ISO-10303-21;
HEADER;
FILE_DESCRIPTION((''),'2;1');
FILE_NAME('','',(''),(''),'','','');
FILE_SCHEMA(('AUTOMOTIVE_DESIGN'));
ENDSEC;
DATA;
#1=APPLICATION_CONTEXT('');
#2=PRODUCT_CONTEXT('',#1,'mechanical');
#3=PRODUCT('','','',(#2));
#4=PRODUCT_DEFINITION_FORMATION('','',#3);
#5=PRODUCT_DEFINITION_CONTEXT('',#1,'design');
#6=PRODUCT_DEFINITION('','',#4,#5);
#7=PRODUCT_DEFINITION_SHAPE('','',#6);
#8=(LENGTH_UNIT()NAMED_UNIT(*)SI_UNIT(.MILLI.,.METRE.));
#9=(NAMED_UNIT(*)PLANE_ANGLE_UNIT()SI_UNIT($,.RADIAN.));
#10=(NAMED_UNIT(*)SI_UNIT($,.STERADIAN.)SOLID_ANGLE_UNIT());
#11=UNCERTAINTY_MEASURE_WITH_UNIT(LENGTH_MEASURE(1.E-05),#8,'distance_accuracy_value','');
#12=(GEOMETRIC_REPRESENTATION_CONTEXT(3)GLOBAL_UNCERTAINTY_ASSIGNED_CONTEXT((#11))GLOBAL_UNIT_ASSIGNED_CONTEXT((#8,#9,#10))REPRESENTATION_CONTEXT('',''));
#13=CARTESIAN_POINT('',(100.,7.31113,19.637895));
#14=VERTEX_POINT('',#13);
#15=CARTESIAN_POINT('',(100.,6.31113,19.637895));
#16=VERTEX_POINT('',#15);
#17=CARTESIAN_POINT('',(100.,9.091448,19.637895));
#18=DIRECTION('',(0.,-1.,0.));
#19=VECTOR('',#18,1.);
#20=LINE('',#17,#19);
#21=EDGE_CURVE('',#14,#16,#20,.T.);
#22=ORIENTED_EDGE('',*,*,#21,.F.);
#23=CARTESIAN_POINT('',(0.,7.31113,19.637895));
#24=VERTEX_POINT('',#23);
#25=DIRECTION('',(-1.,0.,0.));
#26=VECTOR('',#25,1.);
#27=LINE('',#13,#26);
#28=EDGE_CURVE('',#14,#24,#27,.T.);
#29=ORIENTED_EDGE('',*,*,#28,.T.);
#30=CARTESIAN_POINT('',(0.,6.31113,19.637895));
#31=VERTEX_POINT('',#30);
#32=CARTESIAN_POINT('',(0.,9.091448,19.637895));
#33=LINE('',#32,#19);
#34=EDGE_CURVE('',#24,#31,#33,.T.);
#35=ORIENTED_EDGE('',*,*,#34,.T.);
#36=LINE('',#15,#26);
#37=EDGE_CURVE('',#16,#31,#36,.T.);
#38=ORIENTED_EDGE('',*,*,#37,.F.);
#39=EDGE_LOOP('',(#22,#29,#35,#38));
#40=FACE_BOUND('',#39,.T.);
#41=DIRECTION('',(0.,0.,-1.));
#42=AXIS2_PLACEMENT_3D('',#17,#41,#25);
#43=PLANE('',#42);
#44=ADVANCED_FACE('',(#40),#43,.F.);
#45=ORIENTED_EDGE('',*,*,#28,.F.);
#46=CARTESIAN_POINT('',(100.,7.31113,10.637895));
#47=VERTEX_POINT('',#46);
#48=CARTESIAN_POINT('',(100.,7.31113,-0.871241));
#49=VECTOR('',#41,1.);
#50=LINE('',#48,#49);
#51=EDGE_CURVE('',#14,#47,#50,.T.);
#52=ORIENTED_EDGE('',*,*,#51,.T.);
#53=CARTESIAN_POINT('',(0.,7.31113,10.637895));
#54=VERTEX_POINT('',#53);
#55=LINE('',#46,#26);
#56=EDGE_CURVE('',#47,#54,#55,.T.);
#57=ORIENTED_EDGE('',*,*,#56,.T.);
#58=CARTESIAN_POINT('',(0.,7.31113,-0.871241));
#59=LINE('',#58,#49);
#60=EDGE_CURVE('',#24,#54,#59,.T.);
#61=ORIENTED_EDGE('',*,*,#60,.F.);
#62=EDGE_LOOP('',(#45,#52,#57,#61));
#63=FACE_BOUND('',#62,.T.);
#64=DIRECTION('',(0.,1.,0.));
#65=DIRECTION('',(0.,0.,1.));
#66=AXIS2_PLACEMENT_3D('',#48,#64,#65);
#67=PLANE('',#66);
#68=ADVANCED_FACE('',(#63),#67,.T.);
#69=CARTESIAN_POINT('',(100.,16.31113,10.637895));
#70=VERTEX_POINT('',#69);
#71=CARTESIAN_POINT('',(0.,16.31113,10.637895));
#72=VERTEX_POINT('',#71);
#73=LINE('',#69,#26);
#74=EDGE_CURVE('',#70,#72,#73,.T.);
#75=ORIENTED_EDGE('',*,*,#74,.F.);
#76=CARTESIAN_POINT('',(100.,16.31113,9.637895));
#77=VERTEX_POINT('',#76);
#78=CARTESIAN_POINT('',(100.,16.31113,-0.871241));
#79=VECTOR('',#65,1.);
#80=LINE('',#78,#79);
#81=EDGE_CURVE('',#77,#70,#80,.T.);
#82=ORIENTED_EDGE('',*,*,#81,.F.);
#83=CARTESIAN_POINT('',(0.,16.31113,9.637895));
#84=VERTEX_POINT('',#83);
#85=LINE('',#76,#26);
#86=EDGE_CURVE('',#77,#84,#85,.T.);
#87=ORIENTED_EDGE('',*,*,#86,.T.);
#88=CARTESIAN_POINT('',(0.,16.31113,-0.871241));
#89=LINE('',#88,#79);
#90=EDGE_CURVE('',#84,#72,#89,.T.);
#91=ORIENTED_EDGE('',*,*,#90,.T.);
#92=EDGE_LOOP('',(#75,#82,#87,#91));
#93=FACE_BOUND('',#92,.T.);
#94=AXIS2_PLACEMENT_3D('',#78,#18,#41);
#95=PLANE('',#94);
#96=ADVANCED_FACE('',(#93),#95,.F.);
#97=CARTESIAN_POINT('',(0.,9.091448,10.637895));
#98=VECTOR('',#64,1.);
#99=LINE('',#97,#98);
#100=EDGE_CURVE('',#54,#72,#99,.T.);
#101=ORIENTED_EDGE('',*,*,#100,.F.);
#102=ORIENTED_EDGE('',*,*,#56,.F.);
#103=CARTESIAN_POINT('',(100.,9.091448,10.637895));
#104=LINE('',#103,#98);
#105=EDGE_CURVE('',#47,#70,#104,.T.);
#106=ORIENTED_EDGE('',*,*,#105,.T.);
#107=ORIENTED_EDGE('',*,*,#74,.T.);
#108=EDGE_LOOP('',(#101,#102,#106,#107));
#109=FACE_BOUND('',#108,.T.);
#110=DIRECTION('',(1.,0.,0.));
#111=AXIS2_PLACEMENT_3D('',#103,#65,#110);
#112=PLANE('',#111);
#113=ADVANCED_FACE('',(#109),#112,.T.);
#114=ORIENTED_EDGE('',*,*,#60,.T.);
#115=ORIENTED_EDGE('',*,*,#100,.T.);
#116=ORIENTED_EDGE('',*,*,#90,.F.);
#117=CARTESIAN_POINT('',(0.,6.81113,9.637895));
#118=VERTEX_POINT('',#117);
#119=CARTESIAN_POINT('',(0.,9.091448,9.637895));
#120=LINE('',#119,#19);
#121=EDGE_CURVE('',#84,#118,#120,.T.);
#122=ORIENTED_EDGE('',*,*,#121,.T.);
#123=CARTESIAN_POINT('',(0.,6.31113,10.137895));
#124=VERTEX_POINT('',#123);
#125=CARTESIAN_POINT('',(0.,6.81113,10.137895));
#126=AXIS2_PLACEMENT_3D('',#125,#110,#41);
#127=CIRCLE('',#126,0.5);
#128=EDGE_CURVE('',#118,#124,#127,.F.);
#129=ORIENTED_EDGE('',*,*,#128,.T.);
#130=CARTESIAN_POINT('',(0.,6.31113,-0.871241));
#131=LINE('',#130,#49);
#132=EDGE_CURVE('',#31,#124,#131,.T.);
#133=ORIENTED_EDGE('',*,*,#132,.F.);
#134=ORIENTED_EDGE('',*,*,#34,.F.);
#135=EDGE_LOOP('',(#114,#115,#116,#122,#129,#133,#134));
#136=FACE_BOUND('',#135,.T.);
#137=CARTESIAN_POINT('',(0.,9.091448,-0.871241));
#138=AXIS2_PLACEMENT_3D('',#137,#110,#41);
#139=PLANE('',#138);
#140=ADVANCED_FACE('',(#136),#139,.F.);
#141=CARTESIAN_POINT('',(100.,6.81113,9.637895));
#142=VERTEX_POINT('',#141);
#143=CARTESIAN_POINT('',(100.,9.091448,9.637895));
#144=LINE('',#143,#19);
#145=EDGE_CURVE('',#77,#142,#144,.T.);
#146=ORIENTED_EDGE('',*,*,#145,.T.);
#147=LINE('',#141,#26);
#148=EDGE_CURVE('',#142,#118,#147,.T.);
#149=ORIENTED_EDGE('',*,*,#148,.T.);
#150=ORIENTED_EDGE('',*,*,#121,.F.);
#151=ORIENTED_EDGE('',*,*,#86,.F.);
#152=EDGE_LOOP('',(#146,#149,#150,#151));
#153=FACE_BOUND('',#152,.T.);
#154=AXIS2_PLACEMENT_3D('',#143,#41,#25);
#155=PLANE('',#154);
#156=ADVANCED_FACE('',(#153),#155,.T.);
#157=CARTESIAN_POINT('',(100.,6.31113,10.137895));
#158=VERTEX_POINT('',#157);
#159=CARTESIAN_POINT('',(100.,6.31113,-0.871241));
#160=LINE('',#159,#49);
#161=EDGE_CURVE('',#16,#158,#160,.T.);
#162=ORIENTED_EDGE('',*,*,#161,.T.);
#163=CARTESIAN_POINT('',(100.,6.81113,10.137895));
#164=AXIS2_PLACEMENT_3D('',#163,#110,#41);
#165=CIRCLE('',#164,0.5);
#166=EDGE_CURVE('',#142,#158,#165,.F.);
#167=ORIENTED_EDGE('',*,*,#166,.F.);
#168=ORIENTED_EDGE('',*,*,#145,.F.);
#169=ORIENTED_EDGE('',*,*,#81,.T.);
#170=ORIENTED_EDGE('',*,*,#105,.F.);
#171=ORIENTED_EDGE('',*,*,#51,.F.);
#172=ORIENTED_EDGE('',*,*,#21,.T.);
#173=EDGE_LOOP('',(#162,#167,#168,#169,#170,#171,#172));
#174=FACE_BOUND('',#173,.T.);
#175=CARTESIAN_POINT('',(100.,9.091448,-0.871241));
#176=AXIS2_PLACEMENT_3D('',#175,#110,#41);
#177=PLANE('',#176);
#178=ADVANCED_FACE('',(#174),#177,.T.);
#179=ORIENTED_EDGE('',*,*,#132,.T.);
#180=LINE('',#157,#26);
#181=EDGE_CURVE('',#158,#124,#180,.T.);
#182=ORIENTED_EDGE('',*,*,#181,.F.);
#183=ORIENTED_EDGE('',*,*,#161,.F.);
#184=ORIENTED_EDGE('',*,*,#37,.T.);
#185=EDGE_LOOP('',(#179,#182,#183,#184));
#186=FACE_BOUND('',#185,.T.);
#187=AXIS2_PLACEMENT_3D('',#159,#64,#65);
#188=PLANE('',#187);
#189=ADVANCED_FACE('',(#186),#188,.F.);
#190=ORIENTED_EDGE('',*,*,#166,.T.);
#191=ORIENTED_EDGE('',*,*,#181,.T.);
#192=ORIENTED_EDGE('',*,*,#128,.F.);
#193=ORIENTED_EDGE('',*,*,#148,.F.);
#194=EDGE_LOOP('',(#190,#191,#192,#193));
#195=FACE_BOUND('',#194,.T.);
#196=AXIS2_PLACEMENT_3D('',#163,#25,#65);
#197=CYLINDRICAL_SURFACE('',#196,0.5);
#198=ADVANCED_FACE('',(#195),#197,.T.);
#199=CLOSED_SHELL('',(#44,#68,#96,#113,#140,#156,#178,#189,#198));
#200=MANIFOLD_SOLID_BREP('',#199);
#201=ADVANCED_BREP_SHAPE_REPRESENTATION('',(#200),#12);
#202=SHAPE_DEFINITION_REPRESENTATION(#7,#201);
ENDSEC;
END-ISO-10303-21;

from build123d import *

# Parameters (mm, degrees)
SKETCH1_W           = 9
SKETCH1_H           = 1
SKETCH1_W_2         = 1
SKETCH1_H_2         = 9
BOSS_EXTRUDE1_DEPTH = 100


with BuildPart() as part:
    # Sketch1 → Boss-Extrude1 (new body)
    with BuildSketch(Plane(origin=(0, 0, 0), x_dir=(0, 0, -1), z_dir=(1, 0, 0))):
        with Locations((-15.137894846, 6.81112979)):
            Rectangle(SKETCH1_W, SKETCH1_H)
        with Locations((-10.137894846, 11.81112979)):
            Rectangle(SKETCH1_W_2, SKETCH1_H_2)
        with BuildLine():
            Line((-9.637894846, 7.31112979), (-10.637894846, 7.31112979))
            Line((-10.637894846, 7.31112979), (-10.637894846, 6.31112979))
            Line((-10.637894846, 6.31112979), (-10.137894846, 6.31112979))
            ThreePointArc((-10.137894846, 6.31112979), (-9.784341456, 6.4575764), (-9.637894846, 6.81112979))
            Line((-9.637894846, 6.81112979), (-9.637894846, 7.31112979))
        make_face()
    extrude(amount=BOSS_EXTRUDE1_DEPTH)


solid = part.part
